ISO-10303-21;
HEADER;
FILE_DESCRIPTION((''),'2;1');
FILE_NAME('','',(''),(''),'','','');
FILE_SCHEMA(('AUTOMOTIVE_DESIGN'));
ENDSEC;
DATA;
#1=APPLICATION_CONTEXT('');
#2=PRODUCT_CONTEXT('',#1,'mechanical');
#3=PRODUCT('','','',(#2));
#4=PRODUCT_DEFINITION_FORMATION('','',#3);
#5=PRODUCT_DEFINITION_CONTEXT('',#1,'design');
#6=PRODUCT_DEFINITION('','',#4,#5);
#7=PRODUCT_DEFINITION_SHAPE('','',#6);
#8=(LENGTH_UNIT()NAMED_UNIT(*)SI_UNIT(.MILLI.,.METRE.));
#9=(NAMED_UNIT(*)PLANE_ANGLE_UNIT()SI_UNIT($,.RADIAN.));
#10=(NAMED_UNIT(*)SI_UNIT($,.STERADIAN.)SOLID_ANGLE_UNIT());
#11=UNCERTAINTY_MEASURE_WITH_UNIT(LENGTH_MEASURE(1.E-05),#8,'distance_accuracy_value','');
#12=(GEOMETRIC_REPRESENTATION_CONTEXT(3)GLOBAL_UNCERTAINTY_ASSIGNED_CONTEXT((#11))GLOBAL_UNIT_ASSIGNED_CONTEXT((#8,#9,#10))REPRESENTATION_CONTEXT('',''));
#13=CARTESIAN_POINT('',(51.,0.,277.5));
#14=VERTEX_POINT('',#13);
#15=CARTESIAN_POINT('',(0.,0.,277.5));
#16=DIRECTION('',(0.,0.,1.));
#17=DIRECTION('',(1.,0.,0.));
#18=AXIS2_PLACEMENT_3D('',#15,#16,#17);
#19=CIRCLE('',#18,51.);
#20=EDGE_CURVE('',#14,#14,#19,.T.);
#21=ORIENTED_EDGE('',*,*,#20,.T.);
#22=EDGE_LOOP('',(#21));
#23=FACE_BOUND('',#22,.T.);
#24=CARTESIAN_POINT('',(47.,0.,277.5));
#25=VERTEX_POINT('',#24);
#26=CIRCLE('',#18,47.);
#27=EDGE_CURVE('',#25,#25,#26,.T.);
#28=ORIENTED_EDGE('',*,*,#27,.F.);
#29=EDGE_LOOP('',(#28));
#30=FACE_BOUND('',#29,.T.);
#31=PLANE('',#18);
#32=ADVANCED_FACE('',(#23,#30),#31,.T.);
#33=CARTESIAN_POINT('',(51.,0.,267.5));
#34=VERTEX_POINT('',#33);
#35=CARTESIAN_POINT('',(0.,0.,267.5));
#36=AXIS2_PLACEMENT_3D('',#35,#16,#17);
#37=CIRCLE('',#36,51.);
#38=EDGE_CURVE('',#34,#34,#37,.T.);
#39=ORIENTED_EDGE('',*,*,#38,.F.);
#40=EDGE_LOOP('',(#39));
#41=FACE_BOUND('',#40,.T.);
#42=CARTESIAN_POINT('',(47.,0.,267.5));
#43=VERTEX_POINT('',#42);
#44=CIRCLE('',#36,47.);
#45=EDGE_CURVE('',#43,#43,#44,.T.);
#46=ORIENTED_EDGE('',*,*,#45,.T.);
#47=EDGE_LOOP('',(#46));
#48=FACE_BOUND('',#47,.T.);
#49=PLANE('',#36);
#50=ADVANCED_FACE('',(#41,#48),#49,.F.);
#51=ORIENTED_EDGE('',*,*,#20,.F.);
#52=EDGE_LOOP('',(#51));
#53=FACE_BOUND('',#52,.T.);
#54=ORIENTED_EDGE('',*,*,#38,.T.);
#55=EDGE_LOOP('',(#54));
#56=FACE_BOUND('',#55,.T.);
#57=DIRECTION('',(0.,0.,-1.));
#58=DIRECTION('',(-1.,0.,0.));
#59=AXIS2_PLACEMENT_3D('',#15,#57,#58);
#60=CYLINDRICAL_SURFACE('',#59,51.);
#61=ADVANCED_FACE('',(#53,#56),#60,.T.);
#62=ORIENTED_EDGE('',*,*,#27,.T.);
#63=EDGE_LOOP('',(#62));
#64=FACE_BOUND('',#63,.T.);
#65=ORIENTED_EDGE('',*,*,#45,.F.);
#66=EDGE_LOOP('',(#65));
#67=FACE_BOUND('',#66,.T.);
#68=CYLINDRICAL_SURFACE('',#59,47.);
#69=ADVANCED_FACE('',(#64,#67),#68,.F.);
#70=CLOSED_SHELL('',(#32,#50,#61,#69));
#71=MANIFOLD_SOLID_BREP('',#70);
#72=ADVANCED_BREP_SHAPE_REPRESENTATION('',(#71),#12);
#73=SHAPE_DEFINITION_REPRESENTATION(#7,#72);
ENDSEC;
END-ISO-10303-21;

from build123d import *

# Parameters (mm, degrees)
EXTRUDE_START   = 267.5
SKETCH_1_R      = 51
SKETCH_1_R_2    = 47
EXTRUDE_1_DEPTH = 10


with BuildPart() as part:
    # 草圖1 → 填料-伸長1 (new body)
    with BuildSketch(Plane.XY.offset(EXTRUDE_START)):
        Circle(SKETCH_1_R)
        Circle(SKETCH_1_R_2, mode=Mode.SUBTRACT)
    extrude(amount=EXTRUDE_1_DEPTH)


solid = part.part
